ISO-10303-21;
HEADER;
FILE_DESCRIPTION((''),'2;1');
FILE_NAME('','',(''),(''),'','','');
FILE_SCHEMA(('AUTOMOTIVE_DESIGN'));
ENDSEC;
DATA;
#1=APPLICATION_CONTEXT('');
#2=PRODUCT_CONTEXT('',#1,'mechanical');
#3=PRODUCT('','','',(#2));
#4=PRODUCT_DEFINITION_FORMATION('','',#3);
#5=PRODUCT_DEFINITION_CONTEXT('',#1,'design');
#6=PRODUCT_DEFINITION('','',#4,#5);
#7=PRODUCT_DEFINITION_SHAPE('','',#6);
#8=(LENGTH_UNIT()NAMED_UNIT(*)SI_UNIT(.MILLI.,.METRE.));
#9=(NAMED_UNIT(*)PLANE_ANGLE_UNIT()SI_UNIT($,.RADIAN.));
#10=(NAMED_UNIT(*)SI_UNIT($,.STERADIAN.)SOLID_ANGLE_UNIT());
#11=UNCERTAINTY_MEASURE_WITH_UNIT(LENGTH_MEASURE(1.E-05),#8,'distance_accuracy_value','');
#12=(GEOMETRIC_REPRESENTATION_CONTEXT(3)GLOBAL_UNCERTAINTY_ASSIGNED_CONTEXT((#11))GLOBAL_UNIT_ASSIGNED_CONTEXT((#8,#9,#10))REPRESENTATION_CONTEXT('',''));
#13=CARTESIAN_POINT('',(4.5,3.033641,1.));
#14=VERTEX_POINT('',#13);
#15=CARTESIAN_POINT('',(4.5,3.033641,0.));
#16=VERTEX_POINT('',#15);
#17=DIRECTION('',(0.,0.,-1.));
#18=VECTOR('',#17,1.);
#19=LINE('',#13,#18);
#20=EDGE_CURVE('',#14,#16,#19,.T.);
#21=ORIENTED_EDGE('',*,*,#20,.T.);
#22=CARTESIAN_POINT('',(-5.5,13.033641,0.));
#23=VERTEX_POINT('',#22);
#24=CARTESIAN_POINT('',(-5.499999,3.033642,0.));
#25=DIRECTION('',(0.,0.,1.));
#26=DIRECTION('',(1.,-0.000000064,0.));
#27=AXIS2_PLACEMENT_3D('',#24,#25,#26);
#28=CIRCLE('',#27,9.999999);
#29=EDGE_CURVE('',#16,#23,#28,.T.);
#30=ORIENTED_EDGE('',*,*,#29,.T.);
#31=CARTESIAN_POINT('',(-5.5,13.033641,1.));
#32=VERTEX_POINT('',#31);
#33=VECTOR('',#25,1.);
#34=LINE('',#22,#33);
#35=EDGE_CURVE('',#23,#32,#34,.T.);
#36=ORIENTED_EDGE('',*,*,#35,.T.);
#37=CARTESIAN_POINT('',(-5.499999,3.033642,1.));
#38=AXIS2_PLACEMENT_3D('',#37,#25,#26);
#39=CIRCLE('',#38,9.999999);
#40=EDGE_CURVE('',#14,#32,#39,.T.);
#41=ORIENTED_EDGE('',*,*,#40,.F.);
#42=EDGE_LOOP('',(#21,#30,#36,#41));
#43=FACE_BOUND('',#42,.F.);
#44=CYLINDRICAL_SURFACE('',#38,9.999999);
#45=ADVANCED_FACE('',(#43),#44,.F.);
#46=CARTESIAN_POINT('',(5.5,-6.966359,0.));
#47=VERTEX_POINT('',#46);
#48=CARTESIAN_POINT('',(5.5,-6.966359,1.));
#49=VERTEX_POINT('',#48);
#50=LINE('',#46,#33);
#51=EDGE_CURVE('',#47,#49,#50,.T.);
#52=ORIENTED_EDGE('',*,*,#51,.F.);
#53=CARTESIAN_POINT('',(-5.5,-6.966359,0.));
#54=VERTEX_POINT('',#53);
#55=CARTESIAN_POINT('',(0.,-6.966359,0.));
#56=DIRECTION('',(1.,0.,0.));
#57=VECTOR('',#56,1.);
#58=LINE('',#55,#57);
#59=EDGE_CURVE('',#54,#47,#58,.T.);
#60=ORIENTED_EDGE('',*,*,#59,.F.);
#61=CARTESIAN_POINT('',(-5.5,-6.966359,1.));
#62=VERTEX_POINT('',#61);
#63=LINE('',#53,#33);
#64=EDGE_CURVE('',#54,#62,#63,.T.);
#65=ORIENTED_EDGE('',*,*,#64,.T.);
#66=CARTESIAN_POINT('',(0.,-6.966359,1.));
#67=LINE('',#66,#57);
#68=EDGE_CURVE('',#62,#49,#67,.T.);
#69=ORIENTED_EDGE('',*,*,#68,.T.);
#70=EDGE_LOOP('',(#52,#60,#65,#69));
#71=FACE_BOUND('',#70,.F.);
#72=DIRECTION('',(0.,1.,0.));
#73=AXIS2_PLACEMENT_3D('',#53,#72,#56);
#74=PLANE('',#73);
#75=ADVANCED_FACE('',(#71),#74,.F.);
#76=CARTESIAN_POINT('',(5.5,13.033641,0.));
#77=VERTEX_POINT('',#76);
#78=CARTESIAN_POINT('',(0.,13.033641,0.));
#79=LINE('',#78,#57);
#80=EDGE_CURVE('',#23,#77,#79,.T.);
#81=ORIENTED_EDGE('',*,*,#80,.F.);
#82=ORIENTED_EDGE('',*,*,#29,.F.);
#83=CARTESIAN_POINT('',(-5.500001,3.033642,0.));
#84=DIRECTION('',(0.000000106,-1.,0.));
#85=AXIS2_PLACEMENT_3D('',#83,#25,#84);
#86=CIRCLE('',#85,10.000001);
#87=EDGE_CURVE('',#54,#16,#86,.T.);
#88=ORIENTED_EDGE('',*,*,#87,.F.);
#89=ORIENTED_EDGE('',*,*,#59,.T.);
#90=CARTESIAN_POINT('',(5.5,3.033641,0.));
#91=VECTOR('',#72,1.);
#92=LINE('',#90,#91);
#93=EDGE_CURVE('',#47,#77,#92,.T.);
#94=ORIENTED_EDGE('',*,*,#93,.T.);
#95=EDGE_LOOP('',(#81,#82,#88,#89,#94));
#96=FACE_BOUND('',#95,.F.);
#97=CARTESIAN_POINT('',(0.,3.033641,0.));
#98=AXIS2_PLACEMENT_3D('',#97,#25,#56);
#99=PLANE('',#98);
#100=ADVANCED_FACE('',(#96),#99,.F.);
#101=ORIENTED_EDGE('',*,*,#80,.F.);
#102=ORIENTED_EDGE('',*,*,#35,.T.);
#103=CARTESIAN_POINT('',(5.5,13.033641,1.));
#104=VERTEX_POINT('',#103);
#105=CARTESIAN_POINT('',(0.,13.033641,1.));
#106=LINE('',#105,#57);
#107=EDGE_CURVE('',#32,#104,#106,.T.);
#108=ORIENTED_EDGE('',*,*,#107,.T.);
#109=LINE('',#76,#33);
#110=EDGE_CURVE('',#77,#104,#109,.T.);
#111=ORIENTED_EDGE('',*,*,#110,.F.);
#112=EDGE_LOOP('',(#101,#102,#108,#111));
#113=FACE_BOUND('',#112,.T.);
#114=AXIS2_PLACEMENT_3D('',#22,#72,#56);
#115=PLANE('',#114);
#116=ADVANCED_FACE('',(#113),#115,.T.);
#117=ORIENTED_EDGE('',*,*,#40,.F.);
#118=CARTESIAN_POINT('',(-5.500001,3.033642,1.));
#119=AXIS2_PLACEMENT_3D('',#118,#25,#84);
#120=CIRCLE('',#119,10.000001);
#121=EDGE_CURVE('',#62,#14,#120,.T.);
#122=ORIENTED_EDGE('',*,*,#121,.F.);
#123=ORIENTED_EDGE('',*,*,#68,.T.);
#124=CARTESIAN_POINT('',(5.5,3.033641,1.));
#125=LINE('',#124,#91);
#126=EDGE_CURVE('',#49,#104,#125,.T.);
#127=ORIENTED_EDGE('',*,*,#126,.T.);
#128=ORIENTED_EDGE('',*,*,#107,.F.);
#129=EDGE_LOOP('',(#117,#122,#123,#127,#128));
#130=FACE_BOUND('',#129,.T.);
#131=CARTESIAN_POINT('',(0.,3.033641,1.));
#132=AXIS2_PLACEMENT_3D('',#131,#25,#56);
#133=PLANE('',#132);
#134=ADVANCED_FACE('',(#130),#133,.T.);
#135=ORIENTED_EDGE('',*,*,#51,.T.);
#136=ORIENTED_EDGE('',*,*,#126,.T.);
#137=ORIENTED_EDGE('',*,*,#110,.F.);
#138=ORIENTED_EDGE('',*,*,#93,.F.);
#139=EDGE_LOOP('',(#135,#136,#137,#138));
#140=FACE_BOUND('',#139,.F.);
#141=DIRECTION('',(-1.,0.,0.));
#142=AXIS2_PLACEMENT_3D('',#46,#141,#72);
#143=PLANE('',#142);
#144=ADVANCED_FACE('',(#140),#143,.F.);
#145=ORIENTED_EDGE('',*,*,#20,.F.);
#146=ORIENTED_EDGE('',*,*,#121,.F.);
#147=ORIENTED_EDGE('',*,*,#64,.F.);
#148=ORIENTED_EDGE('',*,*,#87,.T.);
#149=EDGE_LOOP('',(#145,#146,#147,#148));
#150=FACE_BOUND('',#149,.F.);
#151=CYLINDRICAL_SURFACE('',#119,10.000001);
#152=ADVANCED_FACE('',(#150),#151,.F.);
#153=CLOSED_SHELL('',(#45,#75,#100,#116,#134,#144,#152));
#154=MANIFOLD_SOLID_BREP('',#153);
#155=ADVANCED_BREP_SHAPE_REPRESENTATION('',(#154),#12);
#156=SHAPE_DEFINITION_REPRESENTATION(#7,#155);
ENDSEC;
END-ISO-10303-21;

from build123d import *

# Parameters (mm, degrees)
F0_W          = 11
F0_H          = 20
F1_DEPTH      = 1
F3_DEPTH      = 25.4
F3_DEPTH_BACK = 25.4


with BuildPart() as f1:
    # F0 (on Top) → F1 (new body)
    with BuildSketch(Plane.XY):
        with Locations((0, 3.033641)):
            Rectangle(F0_W, F0_H)
    extrude(amount=F1_DEPTH)

    # F2 (on face) → F3 (cut, two sides)
    with BuildSketch(Plane.XY.offset(1)) as f3_sk:
        with BuildLine():
            ThreePointArc((-5.5, -6.966359), (1.571068, -4.037426), (4.5, 3.033641))
            ThreePointArc((4.5, 3.033641), (1.571068, 10.104709), (-5.5, 13.033641))
            Line((-5.5, 13.033641), (-5.5, -6.966359))
        make_face()
    extrude(amount=-F3_DEPTH, mode=Mode.SUBTRACT)
    extrude(f3_sk.sketch, amount=-F3_DEPTH_BACK, mode=Mode.SUBTRACT)


solid = f1.part
